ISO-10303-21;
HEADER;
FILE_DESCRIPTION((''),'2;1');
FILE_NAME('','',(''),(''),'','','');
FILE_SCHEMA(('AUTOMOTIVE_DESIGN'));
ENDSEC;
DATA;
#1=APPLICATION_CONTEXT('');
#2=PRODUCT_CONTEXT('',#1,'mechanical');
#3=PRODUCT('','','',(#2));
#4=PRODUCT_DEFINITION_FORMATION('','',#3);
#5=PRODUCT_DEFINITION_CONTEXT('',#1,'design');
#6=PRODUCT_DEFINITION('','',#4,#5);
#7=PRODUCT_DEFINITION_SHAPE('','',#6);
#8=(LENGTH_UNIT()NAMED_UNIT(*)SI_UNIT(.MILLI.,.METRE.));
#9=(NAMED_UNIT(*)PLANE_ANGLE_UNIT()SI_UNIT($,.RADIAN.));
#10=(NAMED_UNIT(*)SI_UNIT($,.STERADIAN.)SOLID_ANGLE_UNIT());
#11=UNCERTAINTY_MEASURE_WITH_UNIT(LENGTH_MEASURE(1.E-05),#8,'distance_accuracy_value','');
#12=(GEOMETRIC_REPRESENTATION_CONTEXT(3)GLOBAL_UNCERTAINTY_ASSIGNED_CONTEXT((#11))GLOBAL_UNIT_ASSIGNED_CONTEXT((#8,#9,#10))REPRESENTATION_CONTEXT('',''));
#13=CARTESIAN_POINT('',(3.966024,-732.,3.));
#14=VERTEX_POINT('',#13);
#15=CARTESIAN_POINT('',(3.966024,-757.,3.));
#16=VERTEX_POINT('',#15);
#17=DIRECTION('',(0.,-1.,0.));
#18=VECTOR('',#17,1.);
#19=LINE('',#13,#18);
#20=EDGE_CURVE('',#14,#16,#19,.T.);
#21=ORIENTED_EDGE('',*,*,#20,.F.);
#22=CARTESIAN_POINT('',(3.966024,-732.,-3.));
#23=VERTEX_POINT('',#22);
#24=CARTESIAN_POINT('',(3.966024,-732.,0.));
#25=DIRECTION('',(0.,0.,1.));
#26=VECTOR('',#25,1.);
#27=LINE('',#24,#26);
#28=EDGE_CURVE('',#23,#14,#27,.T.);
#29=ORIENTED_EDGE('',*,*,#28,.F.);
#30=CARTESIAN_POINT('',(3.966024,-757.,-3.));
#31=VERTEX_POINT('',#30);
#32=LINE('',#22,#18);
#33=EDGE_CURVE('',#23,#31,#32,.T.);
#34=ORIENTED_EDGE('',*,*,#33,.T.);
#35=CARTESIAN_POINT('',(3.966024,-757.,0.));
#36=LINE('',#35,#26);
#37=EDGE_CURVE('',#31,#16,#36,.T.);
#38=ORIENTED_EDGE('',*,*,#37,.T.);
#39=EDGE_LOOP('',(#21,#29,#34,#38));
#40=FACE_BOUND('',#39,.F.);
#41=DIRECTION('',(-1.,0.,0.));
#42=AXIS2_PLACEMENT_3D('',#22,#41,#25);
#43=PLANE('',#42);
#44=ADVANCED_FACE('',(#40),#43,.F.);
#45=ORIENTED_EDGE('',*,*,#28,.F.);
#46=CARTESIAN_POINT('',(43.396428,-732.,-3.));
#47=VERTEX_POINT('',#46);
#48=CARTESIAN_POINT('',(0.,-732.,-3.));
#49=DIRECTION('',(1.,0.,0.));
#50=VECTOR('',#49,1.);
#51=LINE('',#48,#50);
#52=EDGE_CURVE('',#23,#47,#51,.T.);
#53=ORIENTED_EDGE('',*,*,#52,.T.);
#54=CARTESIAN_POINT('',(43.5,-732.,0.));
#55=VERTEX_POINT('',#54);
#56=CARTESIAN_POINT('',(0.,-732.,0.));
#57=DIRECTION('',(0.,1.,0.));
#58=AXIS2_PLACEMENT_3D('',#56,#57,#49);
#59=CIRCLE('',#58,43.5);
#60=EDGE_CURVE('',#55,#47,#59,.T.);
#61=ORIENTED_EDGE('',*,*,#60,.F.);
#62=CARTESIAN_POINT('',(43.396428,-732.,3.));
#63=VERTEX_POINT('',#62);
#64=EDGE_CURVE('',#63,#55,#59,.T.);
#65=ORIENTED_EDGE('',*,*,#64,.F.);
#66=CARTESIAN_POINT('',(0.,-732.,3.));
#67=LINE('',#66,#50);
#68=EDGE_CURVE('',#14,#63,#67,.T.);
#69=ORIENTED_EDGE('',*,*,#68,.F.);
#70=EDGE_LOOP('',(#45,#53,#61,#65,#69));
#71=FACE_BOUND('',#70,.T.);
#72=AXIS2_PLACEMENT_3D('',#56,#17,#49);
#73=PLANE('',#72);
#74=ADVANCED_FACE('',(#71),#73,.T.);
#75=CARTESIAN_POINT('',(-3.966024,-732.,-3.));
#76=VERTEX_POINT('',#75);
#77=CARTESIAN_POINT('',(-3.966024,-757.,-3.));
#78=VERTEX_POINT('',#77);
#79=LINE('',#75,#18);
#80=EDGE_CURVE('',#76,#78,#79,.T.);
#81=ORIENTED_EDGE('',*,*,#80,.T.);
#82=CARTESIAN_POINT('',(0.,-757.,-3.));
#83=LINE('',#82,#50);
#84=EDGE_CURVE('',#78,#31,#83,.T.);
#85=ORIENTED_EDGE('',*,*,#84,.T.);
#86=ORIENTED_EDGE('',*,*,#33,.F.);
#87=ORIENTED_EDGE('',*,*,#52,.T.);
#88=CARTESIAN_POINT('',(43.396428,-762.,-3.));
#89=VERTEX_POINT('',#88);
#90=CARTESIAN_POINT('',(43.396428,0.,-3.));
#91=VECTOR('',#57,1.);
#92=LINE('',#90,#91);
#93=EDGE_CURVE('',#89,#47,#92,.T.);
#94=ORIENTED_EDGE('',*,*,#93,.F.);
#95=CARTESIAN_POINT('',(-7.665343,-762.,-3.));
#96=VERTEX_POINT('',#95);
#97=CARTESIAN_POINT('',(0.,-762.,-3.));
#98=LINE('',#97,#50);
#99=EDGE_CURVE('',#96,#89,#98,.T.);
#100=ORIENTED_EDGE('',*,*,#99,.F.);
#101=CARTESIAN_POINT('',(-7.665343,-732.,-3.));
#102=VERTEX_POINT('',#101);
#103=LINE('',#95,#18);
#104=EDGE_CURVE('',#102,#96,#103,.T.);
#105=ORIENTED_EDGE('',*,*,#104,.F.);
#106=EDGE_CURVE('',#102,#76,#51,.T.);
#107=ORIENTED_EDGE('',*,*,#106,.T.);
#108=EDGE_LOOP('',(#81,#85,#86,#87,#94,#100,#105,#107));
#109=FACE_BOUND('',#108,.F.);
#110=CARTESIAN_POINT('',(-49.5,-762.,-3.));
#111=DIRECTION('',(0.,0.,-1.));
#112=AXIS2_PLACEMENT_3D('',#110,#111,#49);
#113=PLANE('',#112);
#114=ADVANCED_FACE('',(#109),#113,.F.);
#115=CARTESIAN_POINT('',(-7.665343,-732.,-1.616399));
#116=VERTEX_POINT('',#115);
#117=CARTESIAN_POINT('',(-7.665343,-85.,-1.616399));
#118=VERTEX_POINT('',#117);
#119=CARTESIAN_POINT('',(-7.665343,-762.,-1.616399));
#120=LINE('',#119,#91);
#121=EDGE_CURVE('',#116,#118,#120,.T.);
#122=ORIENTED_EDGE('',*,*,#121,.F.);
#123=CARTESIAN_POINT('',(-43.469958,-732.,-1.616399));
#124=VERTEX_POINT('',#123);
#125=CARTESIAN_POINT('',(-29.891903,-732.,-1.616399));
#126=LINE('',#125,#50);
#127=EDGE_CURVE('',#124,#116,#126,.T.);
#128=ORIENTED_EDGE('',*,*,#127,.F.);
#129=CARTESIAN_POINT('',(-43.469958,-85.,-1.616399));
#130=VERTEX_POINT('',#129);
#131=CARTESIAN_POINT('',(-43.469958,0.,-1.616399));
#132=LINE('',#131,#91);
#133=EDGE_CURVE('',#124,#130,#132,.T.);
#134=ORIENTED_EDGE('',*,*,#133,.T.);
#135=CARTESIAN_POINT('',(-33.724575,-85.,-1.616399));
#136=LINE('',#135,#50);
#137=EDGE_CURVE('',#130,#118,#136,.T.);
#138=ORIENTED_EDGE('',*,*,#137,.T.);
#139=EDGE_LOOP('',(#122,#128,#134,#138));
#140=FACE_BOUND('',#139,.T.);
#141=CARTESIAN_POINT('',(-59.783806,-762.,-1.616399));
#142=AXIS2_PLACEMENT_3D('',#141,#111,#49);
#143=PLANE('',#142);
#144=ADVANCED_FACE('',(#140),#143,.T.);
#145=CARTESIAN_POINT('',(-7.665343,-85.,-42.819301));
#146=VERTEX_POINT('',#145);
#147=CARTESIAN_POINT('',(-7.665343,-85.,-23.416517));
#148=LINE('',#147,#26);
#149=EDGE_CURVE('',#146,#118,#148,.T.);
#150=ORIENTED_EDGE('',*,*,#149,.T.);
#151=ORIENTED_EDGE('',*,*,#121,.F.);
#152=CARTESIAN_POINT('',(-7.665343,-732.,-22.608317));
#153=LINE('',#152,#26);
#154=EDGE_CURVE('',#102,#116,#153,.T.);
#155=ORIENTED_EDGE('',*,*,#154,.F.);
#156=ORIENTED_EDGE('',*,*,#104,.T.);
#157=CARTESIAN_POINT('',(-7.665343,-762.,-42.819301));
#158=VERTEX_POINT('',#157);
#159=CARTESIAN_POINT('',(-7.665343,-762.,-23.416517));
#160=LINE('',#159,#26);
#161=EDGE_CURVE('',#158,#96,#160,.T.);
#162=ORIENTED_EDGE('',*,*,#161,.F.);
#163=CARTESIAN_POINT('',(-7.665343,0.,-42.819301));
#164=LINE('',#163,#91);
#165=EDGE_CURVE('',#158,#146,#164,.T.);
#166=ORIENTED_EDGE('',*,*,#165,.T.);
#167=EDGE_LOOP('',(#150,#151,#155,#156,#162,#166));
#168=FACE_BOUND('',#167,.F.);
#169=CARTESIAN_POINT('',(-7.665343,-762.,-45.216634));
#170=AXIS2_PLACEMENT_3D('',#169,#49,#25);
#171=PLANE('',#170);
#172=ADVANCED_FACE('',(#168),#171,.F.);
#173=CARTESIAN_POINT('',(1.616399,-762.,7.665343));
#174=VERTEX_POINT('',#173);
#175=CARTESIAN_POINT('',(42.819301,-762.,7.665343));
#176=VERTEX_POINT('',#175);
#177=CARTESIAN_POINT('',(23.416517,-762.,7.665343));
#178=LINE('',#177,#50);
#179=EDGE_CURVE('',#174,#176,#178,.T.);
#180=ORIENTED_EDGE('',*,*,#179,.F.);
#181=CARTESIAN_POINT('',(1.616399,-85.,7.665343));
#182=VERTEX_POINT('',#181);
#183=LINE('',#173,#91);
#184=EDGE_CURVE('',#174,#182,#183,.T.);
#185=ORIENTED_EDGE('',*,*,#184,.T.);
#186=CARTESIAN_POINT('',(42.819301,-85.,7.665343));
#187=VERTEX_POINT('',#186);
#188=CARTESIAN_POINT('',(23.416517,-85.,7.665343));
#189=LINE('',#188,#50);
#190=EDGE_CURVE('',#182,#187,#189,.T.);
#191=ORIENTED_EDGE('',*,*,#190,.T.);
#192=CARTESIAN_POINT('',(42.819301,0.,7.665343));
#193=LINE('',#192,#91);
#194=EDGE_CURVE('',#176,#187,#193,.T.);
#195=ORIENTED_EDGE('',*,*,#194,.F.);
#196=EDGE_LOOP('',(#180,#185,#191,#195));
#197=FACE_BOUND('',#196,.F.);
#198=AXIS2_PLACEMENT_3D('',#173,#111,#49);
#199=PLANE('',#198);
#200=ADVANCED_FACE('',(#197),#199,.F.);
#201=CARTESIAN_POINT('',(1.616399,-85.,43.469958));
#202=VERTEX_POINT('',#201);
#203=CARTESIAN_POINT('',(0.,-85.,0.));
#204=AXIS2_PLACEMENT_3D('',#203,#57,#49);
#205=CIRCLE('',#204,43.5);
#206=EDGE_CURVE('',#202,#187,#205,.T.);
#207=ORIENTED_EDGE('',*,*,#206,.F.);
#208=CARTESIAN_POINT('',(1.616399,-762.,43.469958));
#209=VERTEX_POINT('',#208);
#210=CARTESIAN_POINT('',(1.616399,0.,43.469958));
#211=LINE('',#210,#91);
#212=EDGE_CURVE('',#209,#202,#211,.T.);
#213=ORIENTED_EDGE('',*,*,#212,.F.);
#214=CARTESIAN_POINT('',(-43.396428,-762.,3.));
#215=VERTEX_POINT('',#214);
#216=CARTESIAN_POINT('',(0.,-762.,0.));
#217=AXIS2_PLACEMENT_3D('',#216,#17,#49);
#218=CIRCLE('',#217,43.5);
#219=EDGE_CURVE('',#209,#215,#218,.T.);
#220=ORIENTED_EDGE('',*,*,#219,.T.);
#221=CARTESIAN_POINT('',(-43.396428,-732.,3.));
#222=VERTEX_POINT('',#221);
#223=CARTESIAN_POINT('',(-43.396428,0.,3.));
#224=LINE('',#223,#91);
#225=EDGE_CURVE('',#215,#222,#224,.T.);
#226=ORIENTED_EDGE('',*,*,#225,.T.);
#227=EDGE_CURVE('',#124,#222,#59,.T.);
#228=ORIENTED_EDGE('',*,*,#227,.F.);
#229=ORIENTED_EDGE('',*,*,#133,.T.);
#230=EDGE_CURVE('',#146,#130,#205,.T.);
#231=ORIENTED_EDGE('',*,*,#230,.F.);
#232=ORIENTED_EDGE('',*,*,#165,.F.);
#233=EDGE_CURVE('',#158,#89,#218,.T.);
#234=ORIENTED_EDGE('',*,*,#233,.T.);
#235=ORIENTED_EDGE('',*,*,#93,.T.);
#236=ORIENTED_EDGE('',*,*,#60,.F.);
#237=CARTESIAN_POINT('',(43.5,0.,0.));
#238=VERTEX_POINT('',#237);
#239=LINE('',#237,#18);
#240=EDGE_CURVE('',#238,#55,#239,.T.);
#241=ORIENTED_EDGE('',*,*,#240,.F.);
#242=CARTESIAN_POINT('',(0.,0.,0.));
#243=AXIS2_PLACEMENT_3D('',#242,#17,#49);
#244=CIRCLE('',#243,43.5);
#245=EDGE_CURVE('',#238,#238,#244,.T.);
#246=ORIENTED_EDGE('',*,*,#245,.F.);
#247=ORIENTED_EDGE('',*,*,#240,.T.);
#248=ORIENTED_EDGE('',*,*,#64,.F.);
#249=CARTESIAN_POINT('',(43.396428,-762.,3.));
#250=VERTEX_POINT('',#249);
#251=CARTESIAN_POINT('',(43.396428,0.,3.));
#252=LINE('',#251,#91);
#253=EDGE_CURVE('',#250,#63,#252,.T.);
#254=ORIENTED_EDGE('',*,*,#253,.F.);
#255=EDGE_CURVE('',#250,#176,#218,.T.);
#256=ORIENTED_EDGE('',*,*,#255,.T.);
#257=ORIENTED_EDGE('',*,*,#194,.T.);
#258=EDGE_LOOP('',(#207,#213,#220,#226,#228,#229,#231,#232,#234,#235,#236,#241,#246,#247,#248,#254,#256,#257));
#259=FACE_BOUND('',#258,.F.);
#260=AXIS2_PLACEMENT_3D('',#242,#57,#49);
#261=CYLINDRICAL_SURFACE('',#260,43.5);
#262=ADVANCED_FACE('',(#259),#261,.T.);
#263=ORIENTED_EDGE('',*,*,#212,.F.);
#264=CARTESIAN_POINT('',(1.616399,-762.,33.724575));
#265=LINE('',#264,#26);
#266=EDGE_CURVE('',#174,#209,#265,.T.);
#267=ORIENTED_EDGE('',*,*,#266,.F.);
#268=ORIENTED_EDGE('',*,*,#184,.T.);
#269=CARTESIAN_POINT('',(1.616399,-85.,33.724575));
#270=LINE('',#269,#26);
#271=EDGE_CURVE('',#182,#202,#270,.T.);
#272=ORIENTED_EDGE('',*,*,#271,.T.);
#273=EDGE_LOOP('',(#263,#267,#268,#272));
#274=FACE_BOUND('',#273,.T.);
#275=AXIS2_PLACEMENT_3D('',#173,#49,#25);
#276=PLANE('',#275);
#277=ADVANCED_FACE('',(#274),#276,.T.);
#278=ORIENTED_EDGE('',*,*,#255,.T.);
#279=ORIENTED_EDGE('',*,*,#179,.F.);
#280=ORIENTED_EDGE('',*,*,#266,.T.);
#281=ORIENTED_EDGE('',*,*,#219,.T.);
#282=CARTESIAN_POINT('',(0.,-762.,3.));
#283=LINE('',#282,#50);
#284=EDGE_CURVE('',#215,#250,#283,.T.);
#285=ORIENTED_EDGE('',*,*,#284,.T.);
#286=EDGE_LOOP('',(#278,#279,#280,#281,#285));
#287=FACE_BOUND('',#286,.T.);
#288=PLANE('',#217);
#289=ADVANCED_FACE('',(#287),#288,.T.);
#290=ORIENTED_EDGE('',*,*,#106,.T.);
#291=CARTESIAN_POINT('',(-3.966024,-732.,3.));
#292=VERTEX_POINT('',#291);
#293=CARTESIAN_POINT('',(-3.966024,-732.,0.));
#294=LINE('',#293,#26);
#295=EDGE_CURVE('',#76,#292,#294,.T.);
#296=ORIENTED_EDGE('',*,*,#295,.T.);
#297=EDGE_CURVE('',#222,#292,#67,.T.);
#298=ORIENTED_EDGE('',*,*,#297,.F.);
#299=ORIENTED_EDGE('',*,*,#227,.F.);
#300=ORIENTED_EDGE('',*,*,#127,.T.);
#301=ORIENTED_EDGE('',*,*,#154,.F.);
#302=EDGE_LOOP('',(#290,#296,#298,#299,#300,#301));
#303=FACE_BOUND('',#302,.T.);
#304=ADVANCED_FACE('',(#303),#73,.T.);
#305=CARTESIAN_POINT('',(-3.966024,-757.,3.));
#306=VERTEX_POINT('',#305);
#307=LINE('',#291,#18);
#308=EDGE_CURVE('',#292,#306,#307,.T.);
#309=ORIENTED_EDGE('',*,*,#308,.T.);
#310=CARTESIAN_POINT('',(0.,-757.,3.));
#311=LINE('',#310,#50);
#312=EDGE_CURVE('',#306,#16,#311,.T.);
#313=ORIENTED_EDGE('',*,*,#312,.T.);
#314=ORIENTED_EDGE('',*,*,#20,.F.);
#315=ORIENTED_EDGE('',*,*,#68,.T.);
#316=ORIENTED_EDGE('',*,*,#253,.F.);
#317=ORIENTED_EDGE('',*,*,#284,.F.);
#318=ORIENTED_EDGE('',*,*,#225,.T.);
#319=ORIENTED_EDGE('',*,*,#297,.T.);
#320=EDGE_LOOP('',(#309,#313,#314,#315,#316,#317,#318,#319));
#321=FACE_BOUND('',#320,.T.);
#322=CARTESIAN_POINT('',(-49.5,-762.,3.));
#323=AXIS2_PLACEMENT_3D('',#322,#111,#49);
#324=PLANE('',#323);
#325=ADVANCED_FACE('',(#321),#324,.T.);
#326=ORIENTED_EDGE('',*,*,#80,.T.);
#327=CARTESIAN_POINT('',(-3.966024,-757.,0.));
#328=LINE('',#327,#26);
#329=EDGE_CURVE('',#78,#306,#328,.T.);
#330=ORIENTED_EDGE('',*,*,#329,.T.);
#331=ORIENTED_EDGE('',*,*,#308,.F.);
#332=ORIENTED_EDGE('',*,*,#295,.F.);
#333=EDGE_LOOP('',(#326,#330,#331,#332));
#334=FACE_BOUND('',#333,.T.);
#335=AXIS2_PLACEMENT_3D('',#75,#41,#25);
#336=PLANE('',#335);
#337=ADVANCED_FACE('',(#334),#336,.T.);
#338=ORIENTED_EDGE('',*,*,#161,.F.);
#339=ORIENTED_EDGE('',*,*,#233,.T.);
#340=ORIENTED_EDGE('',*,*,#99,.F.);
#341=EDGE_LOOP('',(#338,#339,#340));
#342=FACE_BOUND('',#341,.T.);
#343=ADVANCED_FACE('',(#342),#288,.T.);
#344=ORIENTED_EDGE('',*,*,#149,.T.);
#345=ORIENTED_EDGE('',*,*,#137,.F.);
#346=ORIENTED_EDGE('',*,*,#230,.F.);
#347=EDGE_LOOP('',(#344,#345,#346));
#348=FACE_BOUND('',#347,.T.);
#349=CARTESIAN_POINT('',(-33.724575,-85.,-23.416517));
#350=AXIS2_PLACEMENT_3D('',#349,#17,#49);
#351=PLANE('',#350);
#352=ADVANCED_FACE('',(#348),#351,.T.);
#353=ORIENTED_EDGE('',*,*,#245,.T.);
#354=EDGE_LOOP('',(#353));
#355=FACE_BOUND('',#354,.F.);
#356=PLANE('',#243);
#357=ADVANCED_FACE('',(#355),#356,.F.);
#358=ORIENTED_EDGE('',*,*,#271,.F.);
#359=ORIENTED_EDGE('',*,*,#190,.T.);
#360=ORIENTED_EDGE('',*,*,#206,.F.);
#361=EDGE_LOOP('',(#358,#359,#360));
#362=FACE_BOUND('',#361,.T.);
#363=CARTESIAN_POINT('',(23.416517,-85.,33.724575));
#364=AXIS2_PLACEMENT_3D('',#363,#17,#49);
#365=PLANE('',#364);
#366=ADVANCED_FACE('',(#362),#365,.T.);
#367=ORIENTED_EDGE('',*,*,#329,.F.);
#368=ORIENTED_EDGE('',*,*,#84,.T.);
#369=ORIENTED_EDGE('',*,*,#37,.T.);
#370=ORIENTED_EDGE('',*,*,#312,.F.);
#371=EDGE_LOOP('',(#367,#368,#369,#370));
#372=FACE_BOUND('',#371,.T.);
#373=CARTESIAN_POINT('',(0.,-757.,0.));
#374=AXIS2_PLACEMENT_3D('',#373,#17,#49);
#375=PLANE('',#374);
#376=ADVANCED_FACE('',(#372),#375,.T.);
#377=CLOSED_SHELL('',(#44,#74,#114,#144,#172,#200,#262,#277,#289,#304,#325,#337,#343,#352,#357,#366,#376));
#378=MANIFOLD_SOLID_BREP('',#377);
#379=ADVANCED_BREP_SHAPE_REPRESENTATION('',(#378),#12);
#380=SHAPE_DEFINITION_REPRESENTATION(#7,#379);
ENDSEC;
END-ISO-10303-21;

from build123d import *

# Parameters (mm, degrees)
F0_R     = 43.5
F1_DEPTH = 762
F2_W     = 99
F2_H     = 6
F3_DEPTH = 30
F4_W     = 7.932048
F4_H     = 6
F5_DEPTH = 25
F6_W     = 43.600235
F6_H     = 52.118463
F6_W_2   = 52.118463
F6_H_2   = 43.600235
F7_DEPTH = 677


with BuildPart() as f1:
    # F0 (on Front) → F1 (new body)
    with BuildSketch(Plane.XZ):
        Circle(F0_R)
    extrude(amount=F1_DEPTH)

    # F2 (on face) → F3 (cut)
    with BuildSketch(Plane.XZ.offset(762)):
        Rectangle(F2_W, F2_H)
    extrude(amount=-F3_DEPTH, mode=Mode.SUBTRACT)

    # F4 (on face) → F5 (join)
    with BuildSketch(Plane.XZ.offset(732)):
        Rectangle(F4_W, F4_H)
    extrude(amount=F5_DEPTH)

    # F6 (on face) → F7 (cut)
    with BuildSketch(Plane.XZ.offset(762)):
        with Locations((23.416517, 33.724575)):
            Rectangle(F6_W, F6_H)
        with Locations((-33.724575, -23.416517)):
            Rectangle(F6_W_2, F6_H_2)
    extrude(amount=-F7_DEPTH, mode=Mode.SUBTRACT)


solid = f1.part
